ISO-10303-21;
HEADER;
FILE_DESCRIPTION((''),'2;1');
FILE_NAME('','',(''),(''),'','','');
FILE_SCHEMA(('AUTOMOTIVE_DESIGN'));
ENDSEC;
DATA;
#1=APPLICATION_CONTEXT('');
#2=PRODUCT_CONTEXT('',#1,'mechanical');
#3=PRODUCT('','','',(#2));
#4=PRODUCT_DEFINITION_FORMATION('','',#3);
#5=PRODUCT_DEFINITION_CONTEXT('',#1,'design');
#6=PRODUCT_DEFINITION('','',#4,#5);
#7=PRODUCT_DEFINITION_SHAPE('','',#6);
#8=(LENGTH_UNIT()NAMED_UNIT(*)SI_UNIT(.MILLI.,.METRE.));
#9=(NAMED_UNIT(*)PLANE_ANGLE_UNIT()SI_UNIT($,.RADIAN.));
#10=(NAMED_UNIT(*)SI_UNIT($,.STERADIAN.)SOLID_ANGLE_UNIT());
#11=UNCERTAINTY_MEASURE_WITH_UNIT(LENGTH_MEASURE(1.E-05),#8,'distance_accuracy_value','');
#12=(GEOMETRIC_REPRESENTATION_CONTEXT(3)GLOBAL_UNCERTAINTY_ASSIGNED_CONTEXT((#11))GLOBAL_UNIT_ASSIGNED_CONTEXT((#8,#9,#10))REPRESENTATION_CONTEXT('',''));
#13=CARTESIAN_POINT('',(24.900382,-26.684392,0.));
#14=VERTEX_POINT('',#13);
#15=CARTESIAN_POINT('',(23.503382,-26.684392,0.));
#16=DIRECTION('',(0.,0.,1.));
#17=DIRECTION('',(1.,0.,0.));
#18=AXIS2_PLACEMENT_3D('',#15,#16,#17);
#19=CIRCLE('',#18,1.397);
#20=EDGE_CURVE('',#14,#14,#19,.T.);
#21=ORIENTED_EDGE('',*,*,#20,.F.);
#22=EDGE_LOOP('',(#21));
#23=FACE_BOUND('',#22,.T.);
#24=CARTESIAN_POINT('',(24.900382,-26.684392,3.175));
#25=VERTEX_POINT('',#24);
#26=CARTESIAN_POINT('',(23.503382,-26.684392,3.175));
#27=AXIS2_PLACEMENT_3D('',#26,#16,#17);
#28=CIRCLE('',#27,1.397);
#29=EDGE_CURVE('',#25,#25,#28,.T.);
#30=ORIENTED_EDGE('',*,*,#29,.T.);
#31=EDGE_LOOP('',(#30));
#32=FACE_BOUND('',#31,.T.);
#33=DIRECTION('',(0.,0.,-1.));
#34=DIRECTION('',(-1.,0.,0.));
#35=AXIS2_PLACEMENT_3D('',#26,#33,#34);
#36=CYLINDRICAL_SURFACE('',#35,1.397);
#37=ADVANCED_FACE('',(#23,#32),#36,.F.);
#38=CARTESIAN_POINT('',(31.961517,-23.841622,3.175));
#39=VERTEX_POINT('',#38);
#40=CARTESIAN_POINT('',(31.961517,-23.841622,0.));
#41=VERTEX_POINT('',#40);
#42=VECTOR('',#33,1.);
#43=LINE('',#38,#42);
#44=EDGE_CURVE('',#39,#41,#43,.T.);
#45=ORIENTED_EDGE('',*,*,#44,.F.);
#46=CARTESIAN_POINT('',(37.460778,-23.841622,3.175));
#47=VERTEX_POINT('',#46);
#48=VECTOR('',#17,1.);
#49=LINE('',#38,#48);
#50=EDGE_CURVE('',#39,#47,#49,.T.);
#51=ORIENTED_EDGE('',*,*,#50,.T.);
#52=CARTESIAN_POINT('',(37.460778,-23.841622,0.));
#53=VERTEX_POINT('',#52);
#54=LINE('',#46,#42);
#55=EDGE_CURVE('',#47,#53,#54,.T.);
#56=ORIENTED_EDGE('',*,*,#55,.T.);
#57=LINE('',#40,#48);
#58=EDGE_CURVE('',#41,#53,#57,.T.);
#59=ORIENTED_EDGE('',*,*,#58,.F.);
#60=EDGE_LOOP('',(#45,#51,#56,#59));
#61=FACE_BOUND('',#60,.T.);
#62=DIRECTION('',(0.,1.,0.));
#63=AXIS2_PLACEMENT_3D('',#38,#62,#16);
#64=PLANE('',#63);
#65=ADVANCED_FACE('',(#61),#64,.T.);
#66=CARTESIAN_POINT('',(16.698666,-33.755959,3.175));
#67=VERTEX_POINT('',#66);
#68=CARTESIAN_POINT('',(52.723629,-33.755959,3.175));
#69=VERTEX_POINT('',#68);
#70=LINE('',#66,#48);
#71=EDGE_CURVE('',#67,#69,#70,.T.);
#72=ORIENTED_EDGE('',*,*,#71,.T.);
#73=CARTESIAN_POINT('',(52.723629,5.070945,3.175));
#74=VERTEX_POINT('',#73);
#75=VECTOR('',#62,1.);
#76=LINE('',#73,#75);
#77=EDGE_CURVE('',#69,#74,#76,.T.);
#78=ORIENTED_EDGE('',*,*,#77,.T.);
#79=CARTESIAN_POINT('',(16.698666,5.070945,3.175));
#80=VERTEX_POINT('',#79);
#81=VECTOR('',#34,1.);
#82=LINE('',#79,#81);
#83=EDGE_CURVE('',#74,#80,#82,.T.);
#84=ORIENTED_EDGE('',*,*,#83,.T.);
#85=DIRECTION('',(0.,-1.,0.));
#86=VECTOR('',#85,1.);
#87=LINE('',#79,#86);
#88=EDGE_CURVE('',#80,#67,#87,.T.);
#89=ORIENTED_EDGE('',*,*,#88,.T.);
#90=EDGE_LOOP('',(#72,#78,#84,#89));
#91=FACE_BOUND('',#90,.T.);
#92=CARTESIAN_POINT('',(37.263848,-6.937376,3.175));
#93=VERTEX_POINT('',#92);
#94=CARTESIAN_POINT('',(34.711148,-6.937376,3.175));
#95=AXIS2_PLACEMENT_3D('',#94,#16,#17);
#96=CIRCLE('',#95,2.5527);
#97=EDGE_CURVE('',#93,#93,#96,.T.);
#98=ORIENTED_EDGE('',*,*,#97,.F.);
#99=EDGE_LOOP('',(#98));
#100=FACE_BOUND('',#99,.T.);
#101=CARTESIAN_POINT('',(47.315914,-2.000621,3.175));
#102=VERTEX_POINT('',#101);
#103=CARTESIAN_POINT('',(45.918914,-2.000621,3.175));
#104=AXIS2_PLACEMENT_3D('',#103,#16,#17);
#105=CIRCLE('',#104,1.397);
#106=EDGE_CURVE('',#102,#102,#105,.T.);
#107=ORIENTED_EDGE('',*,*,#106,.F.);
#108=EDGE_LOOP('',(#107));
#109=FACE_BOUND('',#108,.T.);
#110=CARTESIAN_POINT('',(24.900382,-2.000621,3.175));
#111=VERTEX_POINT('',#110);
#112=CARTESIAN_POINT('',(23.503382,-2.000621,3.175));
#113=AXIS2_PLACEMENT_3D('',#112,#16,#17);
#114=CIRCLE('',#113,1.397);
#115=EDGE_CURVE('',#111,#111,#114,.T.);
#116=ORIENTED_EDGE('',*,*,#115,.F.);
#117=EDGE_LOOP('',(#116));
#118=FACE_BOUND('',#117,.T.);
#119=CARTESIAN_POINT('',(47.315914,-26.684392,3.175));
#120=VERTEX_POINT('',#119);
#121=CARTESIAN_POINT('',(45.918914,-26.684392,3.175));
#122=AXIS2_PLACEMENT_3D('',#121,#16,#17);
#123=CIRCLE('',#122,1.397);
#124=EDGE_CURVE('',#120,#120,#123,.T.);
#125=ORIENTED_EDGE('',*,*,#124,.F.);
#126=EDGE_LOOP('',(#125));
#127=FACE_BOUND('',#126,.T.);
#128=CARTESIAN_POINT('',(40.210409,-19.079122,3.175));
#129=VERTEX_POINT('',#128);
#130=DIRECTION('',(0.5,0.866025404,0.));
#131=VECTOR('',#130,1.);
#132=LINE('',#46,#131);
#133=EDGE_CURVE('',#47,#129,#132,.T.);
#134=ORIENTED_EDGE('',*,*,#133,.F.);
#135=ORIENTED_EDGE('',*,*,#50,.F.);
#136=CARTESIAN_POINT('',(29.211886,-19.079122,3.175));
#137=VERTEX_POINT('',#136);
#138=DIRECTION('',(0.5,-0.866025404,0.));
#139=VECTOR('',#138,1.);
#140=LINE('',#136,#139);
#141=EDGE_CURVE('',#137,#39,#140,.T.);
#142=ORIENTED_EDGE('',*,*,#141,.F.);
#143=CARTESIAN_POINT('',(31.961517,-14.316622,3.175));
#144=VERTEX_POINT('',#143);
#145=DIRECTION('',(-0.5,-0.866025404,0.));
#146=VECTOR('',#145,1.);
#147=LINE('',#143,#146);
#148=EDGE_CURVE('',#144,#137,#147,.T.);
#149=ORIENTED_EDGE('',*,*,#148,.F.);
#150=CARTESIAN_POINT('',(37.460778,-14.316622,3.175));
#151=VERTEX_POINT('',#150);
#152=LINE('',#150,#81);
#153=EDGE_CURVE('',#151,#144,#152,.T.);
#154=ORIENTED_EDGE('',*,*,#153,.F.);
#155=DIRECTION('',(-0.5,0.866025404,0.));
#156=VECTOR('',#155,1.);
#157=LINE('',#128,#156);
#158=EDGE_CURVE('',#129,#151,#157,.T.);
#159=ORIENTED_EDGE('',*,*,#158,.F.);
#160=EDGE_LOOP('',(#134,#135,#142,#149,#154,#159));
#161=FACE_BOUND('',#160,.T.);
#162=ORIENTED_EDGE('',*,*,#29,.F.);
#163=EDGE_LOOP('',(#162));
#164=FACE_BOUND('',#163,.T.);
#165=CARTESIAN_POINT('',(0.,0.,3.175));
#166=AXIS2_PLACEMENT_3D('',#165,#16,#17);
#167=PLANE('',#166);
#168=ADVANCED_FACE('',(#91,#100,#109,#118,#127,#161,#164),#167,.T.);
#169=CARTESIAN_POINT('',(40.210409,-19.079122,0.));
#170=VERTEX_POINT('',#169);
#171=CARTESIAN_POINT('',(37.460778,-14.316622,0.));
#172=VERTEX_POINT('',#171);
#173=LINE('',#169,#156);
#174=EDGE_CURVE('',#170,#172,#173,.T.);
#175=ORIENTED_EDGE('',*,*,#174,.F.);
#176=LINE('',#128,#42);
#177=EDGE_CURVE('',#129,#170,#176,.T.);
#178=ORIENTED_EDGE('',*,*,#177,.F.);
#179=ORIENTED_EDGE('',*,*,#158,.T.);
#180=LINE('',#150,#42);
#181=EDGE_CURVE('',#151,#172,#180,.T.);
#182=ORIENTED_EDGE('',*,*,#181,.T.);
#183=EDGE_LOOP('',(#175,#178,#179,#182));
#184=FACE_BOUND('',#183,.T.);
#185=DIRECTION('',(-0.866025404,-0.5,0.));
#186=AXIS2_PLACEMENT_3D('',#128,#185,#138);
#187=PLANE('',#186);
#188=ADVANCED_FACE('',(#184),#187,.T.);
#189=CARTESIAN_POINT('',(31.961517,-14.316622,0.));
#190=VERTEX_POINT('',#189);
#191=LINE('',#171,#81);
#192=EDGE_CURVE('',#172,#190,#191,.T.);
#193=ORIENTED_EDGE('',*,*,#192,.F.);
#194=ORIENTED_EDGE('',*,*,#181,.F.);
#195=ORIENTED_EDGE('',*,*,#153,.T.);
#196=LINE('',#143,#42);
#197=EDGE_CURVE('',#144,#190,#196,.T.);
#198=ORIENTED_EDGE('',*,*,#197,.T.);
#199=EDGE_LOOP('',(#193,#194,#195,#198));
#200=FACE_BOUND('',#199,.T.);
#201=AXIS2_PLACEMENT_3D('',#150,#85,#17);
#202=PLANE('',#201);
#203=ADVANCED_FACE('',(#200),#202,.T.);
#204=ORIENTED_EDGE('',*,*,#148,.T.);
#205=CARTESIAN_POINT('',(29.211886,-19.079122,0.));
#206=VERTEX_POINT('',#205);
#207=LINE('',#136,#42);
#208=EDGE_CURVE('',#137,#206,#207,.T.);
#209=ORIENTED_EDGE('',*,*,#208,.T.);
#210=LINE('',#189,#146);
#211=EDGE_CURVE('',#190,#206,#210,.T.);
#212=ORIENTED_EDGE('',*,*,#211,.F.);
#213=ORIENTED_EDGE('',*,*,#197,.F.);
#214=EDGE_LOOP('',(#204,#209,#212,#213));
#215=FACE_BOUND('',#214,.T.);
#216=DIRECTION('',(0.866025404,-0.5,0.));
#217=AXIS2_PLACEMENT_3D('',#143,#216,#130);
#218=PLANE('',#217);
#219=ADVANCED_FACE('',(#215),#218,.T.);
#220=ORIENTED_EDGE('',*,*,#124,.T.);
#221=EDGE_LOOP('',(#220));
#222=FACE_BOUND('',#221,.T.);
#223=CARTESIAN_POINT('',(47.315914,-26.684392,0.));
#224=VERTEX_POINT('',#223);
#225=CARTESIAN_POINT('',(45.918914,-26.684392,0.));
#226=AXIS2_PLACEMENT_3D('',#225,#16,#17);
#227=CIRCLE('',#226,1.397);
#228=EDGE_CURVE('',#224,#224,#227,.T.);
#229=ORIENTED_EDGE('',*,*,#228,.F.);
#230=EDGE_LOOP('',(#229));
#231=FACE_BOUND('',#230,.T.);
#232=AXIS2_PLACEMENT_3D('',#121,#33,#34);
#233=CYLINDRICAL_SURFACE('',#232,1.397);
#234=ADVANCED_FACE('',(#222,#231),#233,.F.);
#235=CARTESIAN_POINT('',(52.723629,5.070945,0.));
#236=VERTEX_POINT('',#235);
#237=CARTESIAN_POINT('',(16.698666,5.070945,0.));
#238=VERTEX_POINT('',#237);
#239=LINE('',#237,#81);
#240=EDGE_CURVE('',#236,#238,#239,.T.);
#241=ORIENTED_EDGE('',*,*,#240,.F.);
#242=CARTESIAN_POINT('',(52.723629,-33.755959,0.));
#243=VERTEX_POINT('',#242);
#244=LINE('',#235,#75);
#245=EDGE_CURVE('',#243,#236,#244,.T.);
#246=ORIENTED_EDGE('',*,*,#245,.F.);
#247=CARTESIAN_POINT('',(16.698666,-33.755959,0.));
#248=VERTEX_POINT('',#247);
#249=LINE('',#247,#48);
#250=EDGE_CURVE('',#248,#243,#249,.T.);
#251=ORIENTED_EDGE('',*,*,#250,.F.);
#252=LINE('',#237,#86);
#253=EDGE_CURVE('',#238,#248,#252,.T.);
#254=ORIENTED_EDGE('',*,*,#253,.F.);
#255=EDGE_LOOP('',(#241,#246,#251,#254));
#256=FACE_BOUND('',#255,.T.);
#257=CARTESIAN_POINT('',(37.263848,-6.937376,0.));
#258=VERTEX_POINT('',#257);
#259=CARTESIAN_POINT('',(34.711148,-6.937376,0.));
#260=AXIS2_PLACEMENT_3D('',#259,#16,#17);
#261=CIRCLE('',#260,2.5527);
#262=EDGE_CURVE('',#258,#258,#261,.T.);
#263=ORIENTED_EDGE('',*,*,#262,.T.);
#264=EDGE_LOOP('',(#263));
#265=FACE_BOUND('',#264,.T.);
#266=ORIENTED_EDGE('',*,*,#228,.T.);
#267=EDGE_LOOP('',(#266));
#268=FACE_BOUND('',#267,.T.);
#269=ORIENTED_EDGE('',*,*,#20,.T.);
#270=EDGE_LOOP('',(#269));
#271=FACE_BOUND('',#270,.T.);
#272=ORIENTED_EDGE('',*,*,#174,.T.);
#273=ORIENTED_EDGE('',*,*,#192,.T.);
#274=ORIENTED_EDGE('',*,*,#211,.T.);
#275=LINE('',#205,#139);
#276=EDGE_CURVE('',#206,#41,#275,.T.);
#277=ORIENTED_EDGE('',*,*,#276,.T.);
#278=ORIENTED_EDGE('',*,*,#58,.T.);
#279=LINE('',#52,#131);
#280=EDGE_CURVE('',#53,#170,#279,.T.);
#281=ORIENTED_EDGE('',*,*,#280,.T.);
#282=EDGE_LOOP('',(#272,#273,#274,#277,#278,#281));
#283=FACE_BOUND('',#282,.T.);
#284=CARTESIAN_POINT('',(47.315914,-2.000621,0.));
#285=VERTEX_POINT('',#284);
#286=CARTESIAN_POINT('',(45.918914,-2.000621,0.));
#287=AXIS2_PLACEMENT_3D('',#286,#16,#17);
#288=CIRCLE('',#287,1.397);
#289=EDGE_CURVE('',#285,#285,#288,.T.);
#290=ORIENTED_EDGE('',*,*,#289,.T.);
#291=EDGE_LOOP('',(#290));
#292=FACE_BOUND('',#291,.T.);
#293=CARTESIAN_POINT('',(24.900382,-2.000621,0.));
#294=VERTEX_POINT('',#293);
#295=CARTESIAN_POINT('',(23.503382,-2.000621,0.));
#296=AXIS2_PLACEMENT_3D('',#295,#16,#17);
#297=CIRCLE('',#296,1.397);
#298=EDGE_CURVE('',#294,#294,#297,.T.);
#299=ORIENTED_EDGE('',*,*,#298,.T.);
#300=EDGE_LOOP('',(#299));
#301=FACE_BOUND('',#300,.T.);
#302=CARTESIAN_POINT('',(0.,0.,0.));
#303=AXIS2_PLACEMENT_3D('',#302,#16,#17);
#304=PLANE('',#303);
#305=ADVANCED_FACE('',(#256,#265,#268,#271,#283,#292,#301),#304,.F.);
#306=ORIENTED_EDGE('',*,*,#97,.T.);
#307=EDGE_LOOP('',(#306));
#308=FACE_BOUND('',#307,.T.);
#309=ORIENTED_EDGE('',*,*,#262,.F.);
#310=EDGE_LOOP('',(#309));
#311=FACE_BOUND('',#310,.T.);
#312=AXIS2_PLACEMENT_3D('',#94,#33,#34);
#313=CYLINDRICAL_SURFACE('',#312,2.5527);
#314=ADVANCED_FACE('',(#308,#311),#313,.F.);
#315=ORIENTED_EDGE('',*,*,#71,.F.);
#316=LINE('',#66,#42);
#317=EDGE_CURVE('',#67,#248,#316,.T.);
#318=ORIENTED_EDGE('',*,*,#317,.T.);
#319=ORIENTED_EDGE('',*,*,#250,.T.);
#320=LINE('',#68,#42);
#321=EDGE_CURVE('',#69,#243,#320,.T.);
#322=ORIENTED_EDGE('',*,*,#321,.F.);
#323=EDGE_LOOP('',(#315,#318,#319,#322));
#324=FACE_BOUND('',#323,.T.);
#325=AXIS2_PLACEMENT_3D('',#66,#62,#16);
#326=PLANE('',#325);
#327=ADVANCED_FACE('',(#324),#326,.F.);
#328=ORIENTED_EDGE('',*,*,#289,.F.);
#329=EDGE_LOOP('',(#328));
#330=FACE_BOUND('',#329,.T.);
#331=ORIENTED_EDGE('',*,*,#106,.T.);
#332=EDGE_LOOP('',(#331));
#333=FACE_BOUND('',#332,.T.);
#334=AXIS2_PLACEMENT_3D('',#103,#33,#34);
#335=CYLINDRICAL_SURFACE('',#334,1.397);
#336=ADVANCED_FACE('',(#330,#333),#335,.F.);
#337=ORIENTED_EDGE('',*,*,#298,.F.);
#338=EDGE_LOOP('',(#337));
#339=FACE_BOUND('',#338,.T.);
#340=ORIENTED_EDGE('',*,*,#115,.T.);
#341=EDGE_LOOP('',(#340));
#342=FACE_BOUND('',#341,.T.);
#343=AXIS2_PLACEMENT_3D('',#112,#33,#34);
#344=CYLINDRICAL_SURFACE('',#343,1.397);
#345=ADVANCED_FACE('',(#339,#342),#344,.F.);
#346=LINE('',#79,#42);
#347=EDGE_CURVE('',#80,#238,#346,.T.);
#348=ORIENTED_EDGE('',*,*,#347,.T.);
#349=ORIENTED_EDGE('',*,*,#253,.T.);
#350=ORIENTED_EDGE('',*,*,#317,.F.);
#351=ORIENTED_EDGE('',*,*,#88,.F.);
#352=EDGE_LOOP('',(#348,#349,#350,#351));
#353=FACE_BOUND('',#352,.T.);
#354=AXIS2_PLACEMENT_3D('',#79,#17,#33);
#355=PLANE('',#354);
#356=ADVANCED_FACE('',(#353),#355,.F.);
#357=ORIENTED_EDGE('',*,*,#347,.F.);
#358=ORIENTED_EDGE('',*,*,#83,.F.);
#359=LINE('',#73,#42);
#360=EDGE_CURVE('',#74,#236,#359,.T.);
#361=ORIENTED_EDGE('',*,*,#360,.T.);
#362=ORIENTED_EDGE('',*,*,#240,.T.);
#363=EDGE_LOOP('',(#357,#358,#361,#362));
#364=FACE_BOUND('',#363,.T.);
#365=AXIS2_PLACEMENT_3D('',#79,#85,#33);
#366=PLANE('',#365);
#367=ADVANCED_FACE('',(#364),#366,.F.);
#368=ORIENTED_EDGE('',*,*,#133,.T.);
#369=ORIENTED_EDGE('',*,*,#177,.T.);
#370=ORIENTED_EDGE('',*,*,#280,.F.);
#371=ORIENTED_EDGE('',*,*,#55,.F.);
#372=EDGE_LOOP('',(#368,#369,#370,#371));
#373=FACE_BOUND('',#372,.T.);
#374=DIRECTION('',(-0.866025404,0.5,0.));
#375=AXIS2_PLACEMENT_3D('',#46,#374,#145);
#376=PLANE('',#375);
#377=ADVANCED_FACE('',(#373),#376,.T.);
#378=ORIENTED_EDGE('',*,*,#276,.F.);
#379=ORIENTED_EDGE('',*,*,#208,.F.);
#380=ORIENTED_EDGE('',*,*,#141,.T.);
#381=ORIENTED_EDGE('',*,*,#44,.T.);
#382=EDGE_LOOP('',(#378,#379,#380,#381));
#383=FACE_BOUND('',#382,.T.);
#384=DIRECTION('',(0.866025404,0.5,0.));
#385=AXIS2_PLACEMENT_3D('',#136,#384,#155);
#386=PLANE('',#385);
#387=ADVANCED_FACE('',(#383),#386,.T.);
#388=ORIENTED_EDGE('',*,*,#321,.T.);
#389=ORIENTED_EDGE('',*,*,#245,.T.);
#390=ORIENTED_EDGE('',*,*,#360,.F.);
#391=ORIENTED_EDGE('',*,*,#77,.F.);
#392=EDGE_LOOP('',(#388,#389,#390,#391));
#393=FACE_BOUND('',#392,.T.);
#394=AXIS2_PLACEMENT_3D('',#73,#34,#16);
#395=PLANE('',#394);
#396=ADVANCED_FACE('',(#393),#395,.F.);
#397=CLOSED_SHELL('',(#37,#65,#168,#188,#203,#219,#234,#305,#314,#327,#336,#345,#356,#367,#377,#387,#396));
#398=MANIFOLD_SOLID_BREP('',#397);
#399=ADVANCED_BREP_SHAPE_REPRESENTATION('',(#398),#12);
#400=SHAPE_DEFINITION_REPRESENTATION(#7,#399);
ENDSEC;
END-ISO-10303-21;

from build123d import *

# Parameters (mm, degrees)
SKETCH1_W           = 36.024962638
SKETCH1_H           = 38.826904176
SKETCH1_R           = 1.397
SKETCH1_R_2         = 2.5527
BOSS_EXTRUDE1_DEPTH = 3.175


with BuildPart() as part:
    # Sketch1 → Boss-Extrude1 (new body)
    with BuildSketch(Plane.XY):
        with Locations((34.711147671, -14.342506761)):
            Rectangle(SKETCH1_W, SKETCH1_H)
        with Locations((45.918913825, -2.000621413)):
            Circle(SKETCH1_R, mode=Mode.SUBTRACT)
        with Locations((23.503381517, -2.000621413)):
            Circle(SKETCH1_R, mode=Mode.SUBTRACT)
        with Locations((23.503381517, -26.684392109)):
            Circle(SKETCH1_R, mode=Mode.SUBTRACT)
        with Locations((45.918913825, -26.684392109)):
            Circle(SKETCH1_R, mode=Mode.SUBTRACT)
        with Locations((34.711147671, -6.937375552)):
            Circle(SKETCH1_R_2, mode=Mode.SUBTRACT)
        Polygon((40.210408985, -19.079122219), (37.460778328, -14.316622219), (31.961517014, -14.316622219), (29.211886357, -19.079122219), (31.961517014, -23.841622219), (37.460778328, -23.841622219), align=None, mode=Mode.SUBTRACT)
    extrude(amount=BOSS_EXTRUDE1_DEPTH)


solid = part.part
